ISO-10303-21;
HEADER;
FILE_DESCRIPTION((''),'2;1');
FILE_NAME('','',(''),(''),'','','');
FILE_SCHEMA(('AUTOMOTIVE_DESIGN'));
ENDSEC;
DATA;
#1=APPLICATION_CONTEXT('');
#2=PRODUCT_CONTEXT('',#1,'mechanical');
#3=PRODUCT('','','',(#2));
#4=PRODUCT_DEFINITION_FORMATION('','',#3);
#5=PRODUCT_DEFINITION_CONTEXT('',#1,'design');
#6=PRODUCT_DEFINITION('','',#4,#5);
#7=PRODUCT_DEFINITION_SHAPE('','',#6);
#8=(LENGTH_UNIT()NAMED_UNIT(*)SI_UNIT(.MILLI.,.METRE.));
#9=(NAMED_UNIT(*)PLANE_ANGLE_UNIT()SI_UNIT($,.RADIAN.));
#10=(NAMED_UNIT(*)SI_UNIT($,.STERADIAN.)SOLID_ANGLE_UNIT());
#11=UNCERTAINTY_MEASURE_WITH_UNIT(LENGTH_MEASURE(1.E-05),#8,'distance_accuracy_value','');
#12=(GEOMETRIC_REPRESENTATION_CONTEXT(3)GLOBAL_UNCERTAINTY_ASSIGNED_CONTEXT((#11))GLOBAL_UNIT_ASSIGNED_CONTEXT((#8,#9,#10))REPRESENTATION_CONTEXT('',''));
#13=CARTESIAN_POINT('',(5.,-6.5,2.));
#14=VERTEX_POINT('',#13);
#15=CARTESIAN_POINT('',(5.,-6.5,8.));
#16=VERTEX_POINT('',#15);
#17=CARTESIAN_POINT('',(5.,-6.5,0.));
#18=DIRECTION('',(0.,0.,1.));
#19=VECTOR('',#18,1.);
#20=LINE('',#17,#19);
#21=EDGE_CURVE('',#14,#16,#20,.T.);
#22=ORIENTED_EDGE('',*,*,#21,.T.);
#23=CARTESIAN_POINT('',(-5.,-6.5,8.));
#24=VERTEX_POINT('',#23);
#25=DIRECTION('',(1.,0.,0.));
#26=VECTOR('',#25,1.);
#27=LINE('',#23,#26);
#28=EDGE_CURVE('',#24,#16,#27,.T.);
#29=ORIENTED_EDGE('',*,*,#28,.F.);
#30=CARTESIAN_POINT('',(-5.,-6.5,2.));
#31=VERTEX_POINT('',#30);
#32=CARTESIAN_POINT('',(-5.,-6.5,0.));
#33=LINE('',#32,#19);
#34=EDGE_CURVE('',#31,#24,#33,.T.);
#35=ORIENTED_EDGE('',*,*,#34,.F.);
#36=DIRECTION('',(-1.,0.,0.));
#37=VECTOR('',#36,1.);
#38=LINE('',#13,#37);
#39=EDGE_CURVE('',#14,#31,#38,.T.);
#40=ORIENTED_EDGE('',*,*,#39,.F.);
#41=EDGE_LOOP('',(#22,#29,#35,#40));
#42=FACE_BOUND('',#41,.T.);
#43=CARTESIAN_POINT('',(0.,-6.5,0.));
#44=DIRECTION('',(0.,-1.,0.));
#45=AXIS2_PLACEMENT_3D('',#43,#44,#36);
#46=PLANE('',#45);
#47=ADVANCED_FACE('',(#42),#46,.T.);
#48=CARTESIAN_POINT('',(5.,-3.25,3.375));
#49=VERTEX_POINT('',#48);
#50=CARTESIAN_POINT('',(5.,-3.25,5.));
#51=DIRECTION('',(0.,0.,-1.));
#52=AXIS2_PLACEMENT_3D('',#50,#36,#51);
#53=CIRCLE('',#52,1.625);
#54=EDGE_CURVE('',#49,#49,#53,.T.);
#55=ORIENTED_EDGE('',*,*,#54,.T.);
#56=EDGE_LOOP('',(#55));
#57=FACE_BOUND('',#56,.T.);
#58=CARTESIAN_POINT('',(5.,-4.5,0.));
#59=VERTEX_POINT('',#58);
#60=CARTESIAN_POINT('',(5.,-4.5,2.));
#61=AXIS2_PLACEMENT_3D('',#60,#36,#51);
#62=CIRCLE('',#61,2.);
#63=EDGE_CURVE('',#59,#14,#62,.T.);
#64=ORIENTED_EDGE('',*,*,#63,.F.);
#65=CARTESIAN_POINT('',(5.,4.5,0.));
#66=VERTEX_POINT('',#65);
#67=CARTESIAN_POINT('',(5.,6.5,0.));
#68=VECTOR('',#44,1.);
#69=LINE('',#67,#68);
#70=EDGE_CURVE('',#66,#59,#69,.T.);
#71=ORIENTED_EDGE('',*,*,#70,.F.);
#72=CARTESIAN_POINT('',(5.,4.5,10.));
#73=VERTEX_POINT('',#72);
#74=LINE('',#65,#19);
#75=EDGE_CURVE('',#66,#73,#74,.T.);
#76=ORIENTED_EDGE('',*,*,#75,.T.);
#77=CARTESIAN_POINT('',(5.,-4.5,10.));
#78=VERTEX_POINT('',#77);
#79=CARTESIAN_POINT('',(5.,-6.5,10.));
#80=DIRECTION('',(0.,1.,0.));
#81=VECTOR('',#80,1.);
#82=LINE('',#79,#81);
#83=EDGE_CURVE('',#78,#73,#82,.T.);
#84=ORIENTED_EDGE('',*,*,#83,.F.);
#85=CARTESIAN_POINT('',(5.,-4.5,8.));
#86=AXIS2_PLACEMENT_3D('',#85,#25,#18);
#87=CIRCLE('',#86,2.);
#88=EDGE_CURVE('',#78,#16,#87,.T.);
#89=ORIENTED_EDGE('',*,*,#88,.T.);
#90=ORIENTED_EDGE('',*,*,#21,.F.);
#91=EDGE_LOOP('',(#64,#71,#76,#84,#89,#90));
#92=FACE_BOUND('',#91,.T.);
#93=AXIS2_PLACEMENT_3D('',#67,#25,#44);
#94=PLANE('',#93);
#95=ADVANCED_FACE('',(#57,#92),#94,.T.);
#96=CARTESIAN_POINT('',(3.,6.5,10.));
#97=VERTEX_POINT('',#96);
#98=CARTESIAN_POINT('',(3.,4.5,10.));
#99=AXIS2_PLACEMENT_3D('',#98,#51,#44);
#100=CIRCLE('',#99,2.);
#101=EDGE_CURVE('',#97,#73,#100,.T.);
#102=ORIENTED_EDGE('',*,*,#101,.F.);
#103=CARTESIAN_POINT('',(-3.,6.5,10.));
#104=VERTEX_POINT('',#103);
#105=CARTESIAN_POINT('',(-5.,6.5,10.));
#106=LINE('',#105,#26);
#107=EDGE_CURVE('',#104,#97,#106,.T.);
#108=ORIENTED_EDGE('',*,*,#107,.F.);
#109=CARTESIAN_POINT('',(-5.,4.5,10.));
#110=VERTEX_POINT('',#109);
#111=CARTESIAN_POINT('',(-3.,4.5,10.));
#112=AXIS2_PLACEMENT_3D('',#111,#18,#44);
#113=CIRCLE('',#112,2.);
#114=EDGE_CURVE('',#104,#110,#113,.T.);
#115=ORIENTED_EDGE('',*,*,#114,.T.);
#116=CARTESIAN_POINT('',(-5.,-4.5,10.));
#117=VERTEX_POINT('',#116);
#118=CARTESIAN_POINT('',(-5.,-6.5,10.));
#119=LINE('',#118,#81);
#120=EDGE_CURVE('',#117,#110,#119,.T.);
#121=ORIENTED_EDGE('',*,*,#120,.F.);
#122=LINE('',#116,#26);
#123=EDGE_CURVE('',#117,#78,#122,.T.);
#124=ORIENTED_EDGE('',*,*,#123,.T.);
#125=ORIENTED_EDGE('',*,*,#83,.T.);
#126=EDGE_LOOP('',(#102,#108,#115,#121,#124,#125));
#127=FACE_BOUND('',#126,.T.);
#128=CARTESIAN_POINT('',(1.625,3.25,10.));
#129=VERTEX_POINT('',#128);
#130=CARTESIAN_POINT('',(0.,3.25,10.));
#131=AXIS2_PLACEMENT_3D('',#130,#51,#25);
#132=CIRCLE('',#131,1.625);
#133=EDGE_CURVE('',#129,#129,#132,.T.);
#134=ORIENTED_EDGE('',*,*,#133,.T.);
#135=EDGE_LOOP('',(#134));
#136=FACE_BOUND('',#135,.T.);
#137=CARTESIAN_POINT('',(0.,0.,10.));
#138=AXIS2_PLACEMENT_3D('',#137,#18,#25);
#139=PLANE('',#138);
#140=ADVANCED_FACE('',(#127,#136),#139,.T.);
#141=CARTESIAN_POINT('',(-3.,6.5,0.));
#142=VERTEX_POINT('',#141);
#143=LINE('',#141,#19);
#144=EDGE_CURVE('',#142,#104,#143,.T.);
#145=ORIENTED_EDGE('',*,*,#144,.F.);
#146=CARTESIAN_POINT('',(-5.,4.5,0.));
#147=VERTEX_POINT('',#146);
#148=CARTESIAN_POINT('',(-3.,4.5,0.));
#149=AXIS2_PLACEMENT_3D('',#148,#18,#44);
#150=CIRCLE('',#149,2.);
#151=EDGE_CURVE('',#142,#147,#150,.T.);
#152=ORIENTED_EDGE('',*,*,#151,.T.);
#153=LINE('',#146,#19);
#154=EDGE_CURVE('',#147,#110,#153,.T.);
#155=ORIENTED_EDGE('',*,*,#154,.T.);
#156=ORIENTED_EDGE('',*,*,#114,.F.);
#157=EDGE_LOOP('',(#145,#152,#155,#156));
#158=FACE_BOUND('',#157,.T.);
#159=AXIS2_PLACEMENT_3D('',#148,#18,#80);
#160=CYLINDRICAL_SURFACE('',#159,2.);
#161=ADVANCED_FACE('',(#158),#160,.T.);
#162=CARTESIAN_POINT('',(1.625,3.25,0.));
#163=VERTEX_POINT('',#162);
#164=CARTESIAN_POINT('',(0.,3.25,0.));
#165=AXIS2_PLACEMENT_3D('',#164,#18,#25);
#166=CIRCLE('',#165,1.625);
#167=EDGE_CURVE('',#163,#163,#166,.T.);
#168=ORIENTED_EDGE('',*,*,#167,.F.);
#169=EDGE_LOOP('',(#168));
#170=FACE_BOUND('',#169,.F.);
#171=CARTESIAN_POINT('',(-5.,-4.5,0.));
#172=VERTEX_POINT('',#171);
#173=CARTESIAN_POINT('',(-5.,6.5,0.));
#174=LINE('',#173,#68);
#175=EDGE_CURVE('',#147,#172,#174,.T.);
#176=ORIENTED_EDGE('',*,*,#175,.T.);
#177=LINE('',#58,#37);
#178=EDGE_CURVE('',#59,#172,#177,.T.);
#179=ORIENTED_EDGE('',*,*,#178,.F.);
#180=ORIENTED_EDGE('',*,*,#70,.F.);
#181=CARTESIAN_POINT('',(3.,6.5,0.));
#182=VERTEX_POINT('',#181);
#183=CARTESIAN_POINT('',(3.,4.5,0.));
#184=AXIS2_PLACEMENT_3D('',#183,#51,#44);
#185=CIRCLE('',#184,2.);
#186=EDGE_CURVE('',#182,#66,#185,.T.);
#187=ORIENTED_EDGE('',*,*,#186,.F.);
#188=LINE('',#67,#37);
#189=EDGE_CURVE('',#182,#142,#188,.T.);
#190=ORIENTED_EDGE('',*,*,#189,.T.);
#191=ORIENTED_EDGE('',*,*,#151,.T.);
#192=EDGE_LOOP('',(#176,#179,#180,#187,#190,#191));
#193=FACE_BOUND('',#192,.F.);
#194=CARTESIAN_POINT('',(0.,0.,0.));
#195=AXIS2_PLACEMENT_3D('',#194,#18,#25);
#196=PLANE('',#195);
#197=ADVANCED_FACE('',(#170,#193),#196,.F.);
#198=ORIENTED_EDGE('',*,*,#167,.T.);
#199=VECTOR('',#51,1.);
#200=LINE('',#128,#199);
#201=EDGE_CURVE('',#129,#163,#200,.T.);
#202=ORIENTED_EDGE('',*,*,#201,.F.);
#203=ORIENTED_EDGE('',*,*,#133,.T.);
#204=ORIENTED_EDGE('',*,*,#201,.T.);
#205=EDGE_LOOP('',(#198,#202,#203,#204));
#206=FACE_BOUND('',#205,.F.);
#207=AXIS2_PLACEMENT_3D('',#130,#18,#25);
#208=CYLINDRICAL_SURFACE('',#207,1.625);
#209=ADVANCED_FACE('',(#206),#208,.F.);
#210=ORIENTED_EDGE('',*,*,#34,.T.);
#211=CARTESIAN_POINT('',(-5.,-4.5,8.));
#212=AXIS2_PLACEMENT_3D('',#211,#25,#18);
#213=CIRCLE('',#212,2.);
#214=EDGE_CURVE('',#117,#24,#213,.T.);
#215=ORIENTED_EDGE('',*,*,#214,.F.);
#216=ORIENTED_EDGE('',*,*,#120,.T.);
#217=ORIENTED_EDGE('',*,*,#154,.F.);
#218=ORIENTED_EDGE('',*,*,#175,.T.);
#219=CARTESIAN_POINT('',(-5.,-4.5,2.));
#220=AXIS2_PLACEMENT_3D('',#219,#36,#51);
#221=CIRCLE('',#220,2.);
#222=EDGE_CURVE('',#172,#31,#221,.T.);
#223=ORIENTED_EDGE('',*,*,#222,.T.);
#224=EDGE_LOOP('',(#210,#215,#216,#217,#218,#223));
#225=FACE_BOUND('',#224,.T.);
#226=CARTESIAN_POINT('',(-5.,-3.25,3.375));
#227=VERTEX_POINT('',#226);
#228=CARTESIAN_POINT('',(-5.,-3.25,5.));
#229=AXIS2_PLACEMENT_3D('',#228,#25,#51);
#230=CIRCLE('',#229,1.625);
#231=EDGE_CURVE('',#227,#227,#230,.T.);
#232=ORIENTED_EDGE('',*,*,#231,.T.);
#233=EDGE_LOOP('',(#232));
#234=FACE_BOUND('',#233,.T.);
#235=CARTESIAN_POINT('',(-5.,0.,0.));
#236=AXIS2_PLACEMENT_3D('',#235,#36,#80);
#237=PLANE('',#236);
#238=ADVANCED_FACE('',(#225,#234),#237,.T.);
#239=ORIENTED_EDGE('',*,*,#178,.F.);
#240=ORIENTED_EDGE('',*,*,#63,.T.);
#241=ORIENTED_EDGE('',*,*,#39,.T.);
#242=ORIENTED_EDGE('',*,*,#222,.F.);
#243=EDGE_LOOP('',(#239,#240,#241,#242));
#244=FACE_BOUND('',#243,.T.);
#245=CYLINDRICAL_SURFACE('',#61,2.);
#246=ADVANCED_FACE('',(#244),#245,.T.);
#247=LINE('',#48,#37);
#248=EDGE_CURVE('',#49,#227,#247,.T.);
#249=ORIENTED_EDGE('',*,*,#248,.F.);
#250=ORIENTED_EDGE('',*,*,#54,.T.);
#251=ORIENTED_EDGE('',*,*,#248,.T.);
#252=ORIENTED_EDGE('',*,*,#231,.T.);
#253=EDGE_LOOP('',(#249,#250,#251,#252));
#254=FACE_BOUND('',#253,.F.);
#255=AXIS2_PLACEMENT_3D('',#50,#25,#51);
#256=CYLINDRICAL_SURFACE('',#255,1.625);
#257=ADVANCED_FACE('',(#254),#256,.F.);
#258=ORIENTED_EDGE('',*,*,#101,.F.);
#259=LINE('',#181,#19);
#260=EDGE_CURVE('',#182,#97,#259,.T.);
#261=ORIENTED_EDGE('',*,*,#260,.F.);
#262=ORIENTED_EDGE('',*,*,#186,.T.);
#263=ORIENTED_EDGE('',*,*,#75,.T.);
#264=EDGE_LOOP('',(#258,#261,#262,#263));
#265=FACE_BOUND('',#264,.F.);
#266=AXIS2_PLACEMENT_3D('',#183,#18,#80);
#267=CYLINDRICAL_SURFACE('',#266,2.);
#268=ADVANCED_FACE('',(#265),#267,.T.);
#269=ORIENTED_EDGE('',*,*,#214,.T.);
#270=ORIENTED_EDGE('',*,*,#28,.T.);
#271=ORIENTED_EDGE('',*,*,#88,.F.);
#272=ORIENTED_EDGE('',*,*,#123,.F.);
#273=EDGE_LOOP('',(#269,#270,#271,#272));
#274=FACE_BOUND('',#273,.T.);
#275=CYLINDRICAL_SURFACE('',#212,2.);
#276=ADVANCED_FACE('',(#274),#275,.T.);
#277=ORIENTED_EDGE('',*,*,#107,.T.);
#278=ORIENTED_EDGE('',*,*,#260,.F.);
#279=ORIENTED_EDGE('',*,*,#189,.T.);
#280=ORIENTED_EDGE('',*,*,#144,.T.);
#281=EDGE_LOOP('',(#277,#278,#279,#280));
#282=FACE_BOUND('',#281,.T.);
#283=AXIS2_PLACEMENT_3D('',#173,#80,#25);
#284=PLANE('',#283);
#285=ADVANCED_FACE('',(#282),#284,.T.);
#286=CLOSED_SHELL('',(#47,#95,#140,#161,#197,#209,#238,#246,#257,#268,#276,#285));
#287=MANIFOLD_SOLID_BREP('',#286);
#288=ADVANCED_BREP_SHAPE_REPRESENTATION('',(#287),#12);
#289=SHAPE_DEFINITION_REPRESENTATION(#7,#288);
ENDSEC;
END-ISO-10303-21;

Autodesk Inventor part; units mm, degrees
ref_plane "YZ Plane" through (0, 0, 0) normal (1, 0, 0) x (0, 1, 0)
ref_plane "XZ Plane" through (0, 0, 0) normal (0, 1, 0) x (-1, 0, 0)
ref_plane "XY Plane" through (0, 0, 0) normal (0, 0, 1) x (1, 0, 0)
sketch "Sketch7" plane through (0, 0, 0) normal (0, 0, 1) x (1, 0, 0)
  line L0 (-5, 6.5) -> (5, 6.5)
  line L1 (5, 6.5) -> (5, -6.5)
  line L2 (5, -6.5) -> (-5, -6.5)
  line L3 (-5, -6.5) -> (-5, 6.5)
  line L4 (0, 6.5) -> (0, -6.5)
  line L5 (-5, 0) -> (5, 0)
  point P0 (0, 0)
  point P1 (0, 0)
  dimension "d14" = 10
  dimension "d15" = 13
extrude "Extrusion4" add sketch "Sketch7" along normal blind 10
sketch "Sketch8" plane through (5, -6.5, 0) normal (1, 0, 0) x (0, 0, -1)
  line L0 (0, 13) -> (-10, 13) projected
  line L1 (-5, 13) -> (-5, 0)
  line L2 (0, 0) -> (-10, 0) projected
  line L3 (0, 6.5) -> (-10, 6.5)
  line L4 (-10, 13) -> (-10, 0) projected
  line L5 (0, 0) -> (-10, 0) projected
  circle A0 centre (-5, 3.25) radius 1.625
  dimension "d18" = 3.25
  dimension "d27" = 3.25
extrude "Extrusion5" cut sketch "Sketch8" against normal through all contours A0 L1 | L1 A0
sketch "Sketch9" plane through (0, 0, 10) normal (0, 0, 1) x (1, 0, 0)
  line L0 (-5, 6.5) -> (-5, -6.5) projected
  line L1 (-5, 0) -> (5, 0)
  line L2 (5, -6.5) -> (5, 6.5) projected
  line L3 (0, 0) -> (0, 1.625)
  line L4 (5, 6.5) -> (-5, 6.5) projected
  circle A0 centre (0, 3.25) radius 1.625
  dimension "d22" = 3.25
  dimension "d28" = 3.25
extrude "Extrusion6" cut sketch "Sketch9" against normal through all contours A0
fillet "Fillet2" radius 2 4 edges at (5, 6.5, 5) (-5, 6.5, 5) (0, -6.5, 10) (0, -6.5, 0)
properties part number "CardanJoint"
